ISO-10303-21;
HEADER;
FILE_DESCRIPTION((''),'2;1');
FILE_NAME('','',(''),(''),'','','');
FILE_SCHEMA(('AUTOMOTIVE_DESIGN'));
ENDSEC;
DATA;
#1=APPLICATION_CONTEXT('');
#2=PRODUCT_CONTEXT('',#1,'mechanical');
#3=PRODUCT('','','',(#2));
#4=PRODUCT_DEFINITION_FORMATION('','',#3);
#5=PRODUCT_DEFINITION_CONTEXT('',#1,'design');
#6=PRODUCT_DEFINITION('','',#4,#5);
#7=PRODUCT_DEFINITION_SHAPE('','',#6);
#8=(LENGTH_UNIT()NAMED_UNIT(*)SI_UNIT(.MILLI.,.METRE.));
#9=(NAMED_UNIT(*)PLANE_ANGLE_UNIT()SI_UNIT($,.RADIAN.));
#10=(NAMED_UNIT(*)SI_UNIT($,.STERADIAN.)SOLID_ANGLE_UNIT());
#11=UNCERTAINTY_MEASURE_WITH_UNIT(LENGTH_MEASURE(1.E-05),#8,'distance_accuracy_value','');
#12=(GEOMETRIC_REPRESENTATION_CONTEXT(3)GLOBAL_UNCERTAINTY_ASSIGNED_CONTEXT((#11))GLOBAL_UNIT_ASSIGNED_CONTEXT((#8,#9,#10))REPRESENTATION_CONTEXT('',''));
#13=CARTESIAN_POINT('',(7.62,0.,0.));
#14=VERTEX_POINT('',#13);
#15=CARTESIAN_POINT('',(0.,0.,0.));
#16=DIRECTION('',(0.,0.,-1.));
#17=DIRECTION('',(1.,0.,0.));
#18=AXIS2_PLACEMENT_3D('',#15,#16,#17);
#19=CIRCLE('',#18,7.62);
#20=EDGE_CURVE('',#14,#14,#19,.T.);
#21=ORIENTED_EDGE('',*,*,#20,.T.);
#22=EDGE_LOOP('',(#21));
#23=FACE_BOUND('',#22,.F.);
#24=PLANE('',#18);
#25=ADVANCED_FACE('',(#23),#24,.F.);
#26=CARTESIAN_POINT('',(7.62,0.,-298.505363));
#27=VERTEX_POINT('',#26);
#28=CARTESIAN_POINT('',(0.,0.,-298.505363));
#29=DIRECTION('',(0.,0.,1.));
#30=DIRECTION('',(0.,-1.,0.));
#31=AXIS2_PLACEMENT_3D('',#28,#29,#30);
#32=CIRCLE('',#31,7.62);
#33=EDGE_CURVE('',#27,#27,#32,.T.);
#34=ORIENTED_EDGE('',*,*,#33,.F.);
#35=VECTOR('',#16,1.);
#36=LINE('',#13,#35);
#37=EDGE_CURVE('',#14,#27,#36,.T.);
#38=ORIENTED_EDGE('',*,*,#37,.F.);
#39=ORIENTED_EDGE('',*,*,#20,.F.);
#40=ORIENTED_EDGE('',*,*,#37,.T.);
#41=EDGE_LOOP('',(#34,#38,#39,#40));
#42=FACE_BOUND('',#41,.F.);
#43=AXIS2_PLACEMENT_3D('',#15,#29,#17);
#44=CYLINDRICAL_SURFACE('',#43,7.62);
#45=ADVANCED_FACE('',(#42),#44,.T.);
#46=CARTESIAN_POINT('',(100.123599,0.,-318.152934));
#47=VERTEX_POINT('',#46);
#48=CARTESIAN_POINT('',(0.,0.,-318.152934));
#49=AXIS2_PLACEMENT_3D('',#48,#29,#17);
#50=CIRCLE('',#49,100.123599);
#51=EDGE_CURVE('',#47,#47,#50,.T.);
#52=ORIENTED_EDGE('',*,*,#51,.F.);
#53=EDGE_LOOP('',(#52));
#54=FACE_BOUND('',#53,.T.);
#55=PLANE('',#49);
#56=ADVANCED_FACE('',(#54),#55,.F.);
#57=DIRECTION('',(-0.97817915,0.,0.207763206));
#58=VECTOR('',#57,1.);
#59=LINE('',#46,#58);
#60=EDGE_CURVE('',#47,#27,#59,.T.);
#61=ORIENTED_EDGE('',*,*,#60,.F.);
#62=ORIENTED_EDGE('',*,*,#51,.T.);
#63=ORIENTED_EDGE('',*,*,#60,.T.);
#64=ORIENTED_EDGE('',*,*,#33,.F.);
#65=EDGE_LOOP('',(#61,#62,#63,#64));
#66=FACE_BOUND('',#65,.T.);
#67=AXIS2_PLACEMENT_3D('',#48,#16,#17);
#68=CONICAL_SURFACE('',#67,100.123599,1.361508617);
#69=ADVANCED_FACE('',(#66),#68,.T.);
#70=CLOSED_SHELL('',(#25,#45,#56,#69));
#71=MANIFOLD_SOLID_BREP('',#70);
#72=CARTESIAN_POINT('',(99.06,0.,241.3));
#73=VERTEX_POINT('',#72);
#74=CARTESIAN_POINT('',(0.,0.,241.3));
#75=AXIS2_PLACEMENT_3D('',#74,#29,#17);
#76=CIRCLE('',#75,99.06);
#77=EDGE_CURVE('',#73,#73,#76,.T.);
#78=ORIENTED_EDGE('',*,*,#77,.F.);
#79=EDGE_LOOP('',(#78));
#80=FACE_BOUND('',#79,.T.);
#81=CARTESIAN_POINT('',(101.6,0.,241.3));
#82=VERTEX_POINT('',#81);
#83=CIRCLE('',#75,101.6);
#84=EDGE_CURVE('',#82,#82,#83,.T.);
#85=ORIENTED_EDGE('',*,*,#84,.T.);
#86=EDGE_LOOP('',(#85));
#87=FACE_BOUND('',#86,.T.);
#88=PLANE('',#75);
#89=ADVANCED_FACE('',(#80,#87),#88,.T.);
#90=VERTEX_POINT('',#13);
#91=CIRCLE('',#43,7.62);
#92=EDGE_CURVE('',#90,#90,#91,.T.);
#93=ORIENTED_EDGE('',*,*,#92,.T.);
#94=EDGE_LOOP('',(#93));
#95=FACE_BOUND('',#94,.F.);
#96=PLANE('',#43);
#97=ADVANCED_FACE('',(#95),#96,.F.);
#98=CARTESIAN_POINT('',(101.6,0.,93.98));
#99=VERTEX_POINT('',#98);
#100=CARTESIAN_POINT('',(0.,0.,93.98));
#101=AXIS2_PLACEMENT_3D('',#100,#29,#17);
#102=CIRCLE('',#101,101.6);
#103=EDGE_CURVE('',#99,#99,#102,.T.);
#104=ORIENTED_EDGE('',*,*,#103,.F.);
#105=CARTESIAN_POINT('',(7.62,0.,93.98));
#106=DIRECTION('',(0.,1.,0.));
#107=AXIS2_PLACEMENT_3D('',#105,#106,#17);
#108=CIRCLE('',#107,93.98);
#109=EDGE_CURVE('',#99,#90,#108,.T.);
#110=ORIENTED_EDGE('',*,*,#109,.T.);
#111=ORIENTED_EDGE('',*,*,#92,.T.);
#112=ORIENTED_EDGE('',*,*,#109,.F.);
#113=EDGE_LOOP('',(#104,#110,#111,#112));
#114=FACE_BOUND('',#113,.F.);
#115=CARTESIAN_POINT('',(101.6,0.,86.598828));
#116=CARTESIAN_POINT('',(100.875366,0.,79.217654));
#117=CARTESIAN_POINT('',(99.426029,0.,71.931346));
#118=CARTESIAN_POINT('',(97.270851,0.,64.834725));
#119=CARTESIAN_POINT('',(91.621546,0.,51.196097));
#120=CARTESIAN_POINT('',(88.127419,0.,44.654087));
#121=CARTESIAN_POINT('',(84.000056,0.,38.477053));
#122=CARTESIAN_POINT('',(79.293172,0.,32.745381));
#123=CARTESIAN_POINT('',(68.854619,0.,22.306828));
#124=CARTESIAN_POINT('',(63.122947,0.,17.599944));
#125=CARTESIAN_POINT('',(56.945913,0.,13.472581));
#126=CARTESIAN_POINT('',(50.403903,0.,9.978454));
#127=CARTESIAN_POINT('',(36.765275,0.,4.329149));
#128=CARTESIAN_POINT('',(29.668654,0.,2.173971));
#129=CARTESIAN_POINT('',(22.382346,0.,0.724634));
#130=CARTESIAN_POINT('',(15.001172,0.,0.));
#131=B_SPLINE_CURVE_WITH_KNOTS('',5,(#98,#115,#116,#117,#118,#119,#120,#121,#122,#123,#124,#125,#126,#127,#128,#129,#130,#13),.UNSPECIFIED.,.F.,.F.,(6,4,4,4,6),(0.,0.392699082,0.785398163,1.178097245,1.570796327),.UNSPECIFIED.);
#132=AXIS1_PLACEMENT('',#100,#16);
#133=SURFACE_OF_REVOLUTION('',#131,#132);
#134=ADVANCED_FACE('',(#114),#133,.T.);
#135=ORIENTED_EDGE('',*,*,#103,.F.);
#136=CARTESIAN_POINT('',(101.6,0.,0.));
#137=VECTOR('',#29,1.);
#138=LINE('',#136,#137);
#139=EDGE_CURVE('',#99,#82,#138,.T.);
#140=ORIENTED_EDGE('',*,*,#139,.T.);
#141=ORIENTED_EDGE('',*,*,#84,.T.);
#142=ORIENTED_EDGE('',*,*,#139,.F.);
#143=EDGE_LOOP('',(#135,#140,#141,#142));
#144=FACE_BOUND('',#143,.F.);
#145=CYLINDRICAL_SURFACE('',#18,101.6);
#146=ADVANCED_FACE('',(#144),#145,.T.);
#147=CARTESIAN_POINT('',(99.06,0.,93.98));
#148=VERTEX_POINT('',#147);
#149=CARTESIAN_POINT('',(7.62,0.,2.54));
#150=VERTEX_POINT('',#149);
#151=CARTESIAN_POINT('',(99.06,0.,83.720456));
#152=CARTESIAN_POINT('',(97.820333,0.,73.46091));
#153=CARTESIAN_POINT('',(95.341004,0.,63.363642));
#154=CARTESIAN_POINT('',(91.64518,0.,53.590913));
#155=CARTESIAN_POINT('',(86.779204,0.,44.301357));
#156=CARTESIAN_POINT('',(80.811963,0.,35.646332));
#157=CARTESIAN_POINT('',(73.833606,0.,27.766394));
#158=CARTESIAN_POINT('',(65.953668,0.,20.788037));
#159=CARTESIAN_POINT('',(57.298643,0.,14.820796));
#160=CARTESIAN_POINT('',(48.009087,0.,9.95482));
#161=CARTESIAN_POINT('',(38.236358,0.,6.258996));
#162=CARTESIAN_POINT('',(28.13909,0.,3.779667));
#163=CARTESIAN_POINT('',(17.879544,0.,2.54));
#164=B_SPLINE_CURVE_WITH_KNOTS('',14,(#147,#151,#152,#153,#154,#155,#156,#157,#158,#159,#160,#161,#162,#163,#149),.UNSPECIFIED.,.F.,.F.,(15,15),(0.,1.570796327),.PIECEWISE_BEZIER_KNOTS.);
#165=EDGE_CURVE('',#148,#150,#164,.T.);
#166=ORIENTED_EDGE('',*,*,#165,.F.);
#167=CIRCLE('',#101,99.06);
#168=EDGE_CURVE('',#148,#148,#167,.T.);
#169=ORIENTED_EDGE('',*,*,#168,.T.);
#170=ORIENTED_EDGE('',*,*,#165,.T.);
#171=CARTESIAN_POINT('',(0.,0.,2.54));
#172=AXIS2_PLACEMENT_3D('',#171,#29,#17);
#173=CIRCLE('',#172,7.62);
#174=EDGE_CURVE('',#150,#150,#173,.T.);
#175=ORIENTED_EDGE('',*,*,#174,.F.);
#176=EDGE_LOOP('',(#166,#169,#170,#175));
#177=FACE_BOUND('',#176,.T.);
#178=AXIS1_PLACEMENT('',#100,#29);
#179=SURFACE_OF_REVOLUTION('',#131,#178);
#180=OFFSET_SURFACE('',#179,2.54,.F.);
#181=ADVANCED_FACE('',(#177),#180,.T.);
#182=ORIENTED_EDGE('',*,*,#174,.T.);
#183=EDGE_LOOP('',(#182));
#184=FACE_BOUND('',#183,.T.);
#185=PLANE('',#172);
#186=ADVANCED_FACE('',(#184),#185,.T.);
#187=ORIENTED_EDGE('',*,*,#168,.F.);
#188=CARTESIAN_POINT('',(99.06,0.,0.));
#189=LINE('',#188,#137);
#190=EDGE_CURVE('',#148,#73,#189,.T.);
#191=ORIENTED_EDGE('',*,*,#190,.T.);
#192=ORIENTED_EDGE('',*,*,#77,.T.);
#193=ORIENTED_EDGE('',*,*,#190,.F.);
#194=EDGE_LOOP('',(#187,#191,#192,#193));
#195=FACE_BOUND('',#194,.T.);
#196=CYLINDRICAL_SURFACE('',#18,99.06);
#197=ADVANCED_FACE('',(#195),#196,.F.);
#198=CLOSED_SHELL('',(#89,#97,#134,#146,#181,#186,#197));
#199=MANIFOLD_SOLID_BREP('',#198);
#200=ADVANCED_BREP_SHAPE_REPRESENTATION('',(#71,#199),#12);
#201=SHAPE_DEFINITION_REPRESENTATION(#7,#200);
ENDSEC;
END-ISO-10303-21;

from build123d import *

# Parameters (mm, degrees)
F0_R      = 101.6
F1_DEPTH  = 241.3
F2_R      = 93.98
F1_FACE_R = 7.62
F3_DEPTH  = 304.8
F6_T      = -2.54


with BuildPart() as f1:
    # F0 (on Top) → F1 (new body)
    with BuildSketch(Plane.XY):
        Circle(F0_R)
    extrude(amount=F1_DEPTH)

    # F2
    f2_edges = [f1.edges().sort_by_distance(p)[0] for p in [
        (-101.6, 0, 0),
    ]]
    fillet(f2_edges, radius=F2_R)

    # F6
    f6_openings = [f1.faces().sort_by_distance(p)[0] for p in [
        (0, 0, 241.3),
    ]]
    offset(amount=F6_T, openings=f6_openings)


with BuildPart() as f3:
    # F1_face (on face) → F3 (new body)
    with BuildSketch(Plane(origin=(0, 0, 0), x_dir=(1, 0, 0), z_dir=(0, 0, -1))):
        Circle(F1_FACE_R)
    extrude(amount=F3_DEPTH)

    # F4 (on Front) → F5 (revolve)
    with BuildSketch(Plane.XZ):
        Polygon((100.123599, -318.152934), (0, -296.886891), (0, -318.152934), align=None)
    revolve(axis=Axis((0, 0, -307.519913), (0, 0, 1)))


solid = Compound([f1.part, f3.part])
